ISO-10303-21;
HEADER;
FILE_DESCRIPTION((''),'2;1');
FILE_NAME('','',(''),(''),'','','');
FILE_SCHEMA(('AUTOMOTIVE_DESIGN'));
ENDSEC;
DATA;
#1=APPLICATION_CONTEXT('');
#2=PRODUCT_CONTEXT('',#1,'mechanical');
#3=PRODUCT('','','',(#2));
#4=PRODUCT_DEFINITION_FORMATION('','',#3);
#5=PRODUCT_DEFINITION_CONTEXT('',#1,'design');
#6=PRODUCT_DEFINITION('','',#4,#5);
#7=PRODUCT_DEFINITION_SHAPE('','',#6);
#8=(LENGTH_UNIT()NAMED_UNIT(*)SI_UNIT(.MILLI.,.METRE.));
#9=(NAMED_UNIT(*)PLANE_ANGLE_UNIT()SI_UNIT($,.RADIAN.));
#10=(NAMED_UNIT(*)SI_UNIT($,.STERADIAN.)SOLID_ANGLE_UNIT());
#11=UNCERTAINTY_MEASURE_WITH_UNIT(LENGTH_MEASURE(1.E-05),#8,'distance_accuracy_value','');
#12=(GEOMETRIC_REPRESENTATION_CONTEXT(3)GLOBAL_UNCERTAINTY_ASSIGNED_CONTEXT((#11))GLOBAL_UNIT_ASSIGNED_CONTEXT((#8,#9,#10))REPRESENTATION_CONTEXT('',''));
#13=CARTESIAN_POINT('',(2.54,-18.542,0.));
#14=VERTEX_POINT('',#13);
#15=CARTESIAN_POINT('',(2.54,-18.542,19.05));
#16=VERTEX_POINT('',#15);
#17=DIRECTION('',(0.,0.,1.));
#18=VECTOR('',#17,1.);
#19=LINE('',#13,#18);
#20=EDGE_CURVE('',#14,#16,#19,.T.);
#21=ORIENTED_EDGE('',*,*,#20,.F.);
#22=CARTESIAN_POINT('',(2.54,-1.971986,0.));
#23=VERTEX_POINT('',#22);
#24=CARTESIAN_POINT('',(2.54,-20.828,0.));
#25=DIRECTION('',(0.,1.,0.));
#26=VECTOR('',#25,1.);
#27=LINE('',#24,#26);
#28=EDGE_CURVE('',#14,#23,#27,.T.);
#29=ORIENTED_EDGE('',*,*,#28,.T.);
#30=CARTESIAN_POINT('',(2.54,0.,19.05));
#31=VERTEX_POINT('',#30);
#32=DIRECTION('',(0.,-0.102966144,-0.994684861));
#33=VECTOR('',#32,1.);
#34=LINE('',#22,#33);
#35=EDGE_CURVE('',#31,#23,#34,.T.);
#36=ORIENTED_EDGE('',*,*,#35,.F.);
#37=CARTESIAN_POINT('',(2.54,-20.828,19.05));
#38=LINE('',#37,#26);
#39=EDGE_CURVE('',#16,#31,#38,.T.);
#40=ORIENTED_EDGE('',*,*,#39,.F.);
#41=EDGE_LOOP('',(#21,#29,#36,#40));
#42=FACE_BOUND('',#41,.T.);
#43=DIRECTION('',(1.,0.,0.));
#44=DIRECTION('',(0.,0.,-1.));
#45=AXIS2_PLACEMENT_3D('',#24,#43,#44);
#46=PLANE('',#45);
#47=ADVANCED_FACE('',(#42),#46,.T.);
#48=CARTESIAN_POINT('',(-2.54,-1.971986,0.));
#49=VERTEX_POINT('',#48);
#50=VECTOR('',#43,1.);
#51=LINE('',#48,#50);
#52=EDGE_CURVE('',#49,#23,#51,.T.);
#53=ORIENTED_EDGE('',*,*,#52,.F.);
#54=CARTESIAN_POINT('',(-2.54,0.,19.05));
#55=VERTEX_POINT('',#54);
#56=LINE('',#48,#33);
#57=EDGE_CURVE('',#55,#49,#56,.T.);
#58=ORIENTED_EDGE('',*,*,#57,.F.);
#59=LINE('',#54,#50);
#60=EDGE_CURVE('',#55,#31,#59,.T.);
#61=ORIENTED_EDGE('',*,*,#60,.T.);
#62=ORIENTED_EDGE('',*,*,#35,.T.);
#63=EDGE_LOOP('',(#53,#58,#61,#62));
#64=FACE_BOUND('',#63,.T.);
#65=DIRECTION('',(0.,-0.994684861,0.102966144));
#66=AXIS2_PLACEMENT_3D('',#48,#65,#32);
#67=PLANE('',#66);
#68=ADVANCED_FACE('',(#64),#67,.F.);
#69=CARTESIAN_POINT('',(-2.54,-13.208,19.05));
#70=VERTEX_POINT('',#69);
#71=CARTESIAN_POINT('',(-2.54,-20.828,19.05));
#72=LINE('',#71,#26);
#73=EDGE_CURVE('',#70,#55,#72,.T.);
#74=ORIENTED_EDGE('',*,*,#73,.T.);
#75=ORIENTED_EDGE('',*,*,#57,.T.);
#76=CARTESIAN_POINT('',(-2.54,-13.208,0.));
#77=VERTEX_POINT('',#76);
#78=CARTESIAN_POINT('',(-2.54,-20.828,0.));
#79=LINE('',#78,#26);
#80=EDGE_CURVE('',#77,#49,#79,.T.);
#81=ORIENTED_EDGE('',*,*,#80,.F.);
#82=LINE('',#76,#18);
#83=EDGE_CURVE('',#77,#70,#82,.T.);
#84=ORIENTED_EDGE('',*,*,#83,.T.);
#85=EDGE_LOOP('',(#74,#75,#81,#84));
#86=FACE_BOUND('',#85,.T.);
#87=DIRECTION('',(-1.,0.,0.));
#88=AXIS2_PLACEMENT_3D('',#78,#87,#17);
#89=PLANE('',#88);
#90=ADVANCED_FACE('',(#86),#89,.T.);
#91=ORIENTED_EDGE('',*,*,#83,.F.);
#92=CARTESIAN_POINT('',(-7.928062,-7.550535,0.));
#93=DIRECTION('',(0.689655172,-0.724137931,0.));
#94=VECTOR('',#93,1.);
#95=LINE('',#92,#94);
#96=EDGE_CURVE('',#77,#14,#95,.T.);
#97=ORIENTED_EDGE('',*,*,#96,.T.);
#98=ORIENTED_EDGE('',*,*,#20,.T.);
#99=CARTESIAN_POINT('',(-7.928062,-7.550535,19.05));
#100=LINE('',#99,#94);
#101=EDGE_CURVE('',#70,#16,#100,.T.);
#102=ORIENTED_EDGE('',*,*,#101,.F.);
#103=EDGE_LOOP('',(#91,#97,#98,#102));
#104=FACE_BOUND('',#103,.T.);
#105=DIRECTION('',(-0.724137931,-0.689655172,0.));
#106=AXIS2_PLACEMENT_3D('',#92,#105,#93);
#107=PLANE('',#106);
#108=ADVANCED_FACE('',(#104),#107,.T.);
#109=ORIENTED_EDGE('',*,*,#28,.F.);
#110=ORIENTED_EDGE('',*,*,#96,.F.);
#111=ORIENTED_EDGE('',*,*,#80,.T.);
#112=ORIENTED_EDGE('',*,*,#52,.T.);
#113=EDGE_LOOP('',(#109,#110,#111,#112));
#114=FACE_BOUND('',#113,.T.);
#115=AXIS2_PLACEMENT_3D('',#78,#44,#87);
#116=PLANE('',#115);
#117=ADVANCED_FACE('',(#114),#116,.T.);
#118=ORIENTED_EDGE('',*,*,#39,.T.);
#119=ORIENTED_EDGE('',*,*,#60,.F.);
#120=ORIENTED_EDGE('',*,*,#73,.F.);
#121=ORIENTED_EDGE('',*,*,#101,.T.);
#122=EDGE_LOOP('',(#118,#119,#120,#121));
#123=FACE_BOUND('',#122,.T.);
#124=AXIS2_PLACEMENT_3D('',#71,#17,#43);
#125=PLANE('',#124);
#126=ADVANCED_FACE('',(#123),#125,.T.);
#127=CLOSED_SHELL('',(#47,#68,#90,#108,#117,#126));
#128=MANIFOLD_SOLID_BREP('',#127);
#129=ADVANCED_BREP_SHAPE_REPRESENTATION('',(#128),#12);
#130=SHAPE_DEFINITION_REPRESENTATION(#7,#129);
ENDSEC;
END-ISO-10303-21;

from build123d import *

# Parameters (mm, degrees)
ESQUISSE1_W             = 5.08
ESQUISSE1_H             = 19.05
BOSS_EXTRU_1_DEPTH      = 20.828
ENL_V_MAT_EXTRU_1_DEPTH = 6.08
ENL_V_MAT_EXTRU_2_DEPTH = 20.05


with BuildPart() as part:
    # Esquisse1 → Boss.-Extru.1 (new body)
    with BuildSketch(Plane(origin=(0, 0, 0), x_dir=(1, 0, 0), z_dir=(0, 1, 0))):
        with Locations((0, -9.525)):
            Rectangle(ESQUISSE1_W, ESQUISSE1_H)
    extrude(amount=-BOSS_EXTRU_1_DEPTH)

    # Esquisse2 → Enlèv. mat.-Extru.1 (cut, through all)
    with BuildSketch(Plane(origin=(2.54, 0, 0), x_dir=(0, 0, -1), z_dir=(1, 0, 0))):
        Polygon((0, -1.971986417), (-19.05, 0), (0, 0), align=None)
    extrude(amount=-ENL_V_MAT_EXTRU_1_DEPTH, mode=Mode.SUBTRACT)

    # Esquisse3 → Enlèv. mat.-Extru.2 (cut, through all)
    with BuildSketch(Plane.XY.offset(19.05)):
        Polygon((-2.54, -20.828), (-2.54, -13.208), (2.54, -18.542), (2.54, -20.828), align=None)
    extrude(amount=-ENL_V_MAT_EXTRU_2_DEPTH, mode=Mode.SUBTRACT)


solid = part.part
